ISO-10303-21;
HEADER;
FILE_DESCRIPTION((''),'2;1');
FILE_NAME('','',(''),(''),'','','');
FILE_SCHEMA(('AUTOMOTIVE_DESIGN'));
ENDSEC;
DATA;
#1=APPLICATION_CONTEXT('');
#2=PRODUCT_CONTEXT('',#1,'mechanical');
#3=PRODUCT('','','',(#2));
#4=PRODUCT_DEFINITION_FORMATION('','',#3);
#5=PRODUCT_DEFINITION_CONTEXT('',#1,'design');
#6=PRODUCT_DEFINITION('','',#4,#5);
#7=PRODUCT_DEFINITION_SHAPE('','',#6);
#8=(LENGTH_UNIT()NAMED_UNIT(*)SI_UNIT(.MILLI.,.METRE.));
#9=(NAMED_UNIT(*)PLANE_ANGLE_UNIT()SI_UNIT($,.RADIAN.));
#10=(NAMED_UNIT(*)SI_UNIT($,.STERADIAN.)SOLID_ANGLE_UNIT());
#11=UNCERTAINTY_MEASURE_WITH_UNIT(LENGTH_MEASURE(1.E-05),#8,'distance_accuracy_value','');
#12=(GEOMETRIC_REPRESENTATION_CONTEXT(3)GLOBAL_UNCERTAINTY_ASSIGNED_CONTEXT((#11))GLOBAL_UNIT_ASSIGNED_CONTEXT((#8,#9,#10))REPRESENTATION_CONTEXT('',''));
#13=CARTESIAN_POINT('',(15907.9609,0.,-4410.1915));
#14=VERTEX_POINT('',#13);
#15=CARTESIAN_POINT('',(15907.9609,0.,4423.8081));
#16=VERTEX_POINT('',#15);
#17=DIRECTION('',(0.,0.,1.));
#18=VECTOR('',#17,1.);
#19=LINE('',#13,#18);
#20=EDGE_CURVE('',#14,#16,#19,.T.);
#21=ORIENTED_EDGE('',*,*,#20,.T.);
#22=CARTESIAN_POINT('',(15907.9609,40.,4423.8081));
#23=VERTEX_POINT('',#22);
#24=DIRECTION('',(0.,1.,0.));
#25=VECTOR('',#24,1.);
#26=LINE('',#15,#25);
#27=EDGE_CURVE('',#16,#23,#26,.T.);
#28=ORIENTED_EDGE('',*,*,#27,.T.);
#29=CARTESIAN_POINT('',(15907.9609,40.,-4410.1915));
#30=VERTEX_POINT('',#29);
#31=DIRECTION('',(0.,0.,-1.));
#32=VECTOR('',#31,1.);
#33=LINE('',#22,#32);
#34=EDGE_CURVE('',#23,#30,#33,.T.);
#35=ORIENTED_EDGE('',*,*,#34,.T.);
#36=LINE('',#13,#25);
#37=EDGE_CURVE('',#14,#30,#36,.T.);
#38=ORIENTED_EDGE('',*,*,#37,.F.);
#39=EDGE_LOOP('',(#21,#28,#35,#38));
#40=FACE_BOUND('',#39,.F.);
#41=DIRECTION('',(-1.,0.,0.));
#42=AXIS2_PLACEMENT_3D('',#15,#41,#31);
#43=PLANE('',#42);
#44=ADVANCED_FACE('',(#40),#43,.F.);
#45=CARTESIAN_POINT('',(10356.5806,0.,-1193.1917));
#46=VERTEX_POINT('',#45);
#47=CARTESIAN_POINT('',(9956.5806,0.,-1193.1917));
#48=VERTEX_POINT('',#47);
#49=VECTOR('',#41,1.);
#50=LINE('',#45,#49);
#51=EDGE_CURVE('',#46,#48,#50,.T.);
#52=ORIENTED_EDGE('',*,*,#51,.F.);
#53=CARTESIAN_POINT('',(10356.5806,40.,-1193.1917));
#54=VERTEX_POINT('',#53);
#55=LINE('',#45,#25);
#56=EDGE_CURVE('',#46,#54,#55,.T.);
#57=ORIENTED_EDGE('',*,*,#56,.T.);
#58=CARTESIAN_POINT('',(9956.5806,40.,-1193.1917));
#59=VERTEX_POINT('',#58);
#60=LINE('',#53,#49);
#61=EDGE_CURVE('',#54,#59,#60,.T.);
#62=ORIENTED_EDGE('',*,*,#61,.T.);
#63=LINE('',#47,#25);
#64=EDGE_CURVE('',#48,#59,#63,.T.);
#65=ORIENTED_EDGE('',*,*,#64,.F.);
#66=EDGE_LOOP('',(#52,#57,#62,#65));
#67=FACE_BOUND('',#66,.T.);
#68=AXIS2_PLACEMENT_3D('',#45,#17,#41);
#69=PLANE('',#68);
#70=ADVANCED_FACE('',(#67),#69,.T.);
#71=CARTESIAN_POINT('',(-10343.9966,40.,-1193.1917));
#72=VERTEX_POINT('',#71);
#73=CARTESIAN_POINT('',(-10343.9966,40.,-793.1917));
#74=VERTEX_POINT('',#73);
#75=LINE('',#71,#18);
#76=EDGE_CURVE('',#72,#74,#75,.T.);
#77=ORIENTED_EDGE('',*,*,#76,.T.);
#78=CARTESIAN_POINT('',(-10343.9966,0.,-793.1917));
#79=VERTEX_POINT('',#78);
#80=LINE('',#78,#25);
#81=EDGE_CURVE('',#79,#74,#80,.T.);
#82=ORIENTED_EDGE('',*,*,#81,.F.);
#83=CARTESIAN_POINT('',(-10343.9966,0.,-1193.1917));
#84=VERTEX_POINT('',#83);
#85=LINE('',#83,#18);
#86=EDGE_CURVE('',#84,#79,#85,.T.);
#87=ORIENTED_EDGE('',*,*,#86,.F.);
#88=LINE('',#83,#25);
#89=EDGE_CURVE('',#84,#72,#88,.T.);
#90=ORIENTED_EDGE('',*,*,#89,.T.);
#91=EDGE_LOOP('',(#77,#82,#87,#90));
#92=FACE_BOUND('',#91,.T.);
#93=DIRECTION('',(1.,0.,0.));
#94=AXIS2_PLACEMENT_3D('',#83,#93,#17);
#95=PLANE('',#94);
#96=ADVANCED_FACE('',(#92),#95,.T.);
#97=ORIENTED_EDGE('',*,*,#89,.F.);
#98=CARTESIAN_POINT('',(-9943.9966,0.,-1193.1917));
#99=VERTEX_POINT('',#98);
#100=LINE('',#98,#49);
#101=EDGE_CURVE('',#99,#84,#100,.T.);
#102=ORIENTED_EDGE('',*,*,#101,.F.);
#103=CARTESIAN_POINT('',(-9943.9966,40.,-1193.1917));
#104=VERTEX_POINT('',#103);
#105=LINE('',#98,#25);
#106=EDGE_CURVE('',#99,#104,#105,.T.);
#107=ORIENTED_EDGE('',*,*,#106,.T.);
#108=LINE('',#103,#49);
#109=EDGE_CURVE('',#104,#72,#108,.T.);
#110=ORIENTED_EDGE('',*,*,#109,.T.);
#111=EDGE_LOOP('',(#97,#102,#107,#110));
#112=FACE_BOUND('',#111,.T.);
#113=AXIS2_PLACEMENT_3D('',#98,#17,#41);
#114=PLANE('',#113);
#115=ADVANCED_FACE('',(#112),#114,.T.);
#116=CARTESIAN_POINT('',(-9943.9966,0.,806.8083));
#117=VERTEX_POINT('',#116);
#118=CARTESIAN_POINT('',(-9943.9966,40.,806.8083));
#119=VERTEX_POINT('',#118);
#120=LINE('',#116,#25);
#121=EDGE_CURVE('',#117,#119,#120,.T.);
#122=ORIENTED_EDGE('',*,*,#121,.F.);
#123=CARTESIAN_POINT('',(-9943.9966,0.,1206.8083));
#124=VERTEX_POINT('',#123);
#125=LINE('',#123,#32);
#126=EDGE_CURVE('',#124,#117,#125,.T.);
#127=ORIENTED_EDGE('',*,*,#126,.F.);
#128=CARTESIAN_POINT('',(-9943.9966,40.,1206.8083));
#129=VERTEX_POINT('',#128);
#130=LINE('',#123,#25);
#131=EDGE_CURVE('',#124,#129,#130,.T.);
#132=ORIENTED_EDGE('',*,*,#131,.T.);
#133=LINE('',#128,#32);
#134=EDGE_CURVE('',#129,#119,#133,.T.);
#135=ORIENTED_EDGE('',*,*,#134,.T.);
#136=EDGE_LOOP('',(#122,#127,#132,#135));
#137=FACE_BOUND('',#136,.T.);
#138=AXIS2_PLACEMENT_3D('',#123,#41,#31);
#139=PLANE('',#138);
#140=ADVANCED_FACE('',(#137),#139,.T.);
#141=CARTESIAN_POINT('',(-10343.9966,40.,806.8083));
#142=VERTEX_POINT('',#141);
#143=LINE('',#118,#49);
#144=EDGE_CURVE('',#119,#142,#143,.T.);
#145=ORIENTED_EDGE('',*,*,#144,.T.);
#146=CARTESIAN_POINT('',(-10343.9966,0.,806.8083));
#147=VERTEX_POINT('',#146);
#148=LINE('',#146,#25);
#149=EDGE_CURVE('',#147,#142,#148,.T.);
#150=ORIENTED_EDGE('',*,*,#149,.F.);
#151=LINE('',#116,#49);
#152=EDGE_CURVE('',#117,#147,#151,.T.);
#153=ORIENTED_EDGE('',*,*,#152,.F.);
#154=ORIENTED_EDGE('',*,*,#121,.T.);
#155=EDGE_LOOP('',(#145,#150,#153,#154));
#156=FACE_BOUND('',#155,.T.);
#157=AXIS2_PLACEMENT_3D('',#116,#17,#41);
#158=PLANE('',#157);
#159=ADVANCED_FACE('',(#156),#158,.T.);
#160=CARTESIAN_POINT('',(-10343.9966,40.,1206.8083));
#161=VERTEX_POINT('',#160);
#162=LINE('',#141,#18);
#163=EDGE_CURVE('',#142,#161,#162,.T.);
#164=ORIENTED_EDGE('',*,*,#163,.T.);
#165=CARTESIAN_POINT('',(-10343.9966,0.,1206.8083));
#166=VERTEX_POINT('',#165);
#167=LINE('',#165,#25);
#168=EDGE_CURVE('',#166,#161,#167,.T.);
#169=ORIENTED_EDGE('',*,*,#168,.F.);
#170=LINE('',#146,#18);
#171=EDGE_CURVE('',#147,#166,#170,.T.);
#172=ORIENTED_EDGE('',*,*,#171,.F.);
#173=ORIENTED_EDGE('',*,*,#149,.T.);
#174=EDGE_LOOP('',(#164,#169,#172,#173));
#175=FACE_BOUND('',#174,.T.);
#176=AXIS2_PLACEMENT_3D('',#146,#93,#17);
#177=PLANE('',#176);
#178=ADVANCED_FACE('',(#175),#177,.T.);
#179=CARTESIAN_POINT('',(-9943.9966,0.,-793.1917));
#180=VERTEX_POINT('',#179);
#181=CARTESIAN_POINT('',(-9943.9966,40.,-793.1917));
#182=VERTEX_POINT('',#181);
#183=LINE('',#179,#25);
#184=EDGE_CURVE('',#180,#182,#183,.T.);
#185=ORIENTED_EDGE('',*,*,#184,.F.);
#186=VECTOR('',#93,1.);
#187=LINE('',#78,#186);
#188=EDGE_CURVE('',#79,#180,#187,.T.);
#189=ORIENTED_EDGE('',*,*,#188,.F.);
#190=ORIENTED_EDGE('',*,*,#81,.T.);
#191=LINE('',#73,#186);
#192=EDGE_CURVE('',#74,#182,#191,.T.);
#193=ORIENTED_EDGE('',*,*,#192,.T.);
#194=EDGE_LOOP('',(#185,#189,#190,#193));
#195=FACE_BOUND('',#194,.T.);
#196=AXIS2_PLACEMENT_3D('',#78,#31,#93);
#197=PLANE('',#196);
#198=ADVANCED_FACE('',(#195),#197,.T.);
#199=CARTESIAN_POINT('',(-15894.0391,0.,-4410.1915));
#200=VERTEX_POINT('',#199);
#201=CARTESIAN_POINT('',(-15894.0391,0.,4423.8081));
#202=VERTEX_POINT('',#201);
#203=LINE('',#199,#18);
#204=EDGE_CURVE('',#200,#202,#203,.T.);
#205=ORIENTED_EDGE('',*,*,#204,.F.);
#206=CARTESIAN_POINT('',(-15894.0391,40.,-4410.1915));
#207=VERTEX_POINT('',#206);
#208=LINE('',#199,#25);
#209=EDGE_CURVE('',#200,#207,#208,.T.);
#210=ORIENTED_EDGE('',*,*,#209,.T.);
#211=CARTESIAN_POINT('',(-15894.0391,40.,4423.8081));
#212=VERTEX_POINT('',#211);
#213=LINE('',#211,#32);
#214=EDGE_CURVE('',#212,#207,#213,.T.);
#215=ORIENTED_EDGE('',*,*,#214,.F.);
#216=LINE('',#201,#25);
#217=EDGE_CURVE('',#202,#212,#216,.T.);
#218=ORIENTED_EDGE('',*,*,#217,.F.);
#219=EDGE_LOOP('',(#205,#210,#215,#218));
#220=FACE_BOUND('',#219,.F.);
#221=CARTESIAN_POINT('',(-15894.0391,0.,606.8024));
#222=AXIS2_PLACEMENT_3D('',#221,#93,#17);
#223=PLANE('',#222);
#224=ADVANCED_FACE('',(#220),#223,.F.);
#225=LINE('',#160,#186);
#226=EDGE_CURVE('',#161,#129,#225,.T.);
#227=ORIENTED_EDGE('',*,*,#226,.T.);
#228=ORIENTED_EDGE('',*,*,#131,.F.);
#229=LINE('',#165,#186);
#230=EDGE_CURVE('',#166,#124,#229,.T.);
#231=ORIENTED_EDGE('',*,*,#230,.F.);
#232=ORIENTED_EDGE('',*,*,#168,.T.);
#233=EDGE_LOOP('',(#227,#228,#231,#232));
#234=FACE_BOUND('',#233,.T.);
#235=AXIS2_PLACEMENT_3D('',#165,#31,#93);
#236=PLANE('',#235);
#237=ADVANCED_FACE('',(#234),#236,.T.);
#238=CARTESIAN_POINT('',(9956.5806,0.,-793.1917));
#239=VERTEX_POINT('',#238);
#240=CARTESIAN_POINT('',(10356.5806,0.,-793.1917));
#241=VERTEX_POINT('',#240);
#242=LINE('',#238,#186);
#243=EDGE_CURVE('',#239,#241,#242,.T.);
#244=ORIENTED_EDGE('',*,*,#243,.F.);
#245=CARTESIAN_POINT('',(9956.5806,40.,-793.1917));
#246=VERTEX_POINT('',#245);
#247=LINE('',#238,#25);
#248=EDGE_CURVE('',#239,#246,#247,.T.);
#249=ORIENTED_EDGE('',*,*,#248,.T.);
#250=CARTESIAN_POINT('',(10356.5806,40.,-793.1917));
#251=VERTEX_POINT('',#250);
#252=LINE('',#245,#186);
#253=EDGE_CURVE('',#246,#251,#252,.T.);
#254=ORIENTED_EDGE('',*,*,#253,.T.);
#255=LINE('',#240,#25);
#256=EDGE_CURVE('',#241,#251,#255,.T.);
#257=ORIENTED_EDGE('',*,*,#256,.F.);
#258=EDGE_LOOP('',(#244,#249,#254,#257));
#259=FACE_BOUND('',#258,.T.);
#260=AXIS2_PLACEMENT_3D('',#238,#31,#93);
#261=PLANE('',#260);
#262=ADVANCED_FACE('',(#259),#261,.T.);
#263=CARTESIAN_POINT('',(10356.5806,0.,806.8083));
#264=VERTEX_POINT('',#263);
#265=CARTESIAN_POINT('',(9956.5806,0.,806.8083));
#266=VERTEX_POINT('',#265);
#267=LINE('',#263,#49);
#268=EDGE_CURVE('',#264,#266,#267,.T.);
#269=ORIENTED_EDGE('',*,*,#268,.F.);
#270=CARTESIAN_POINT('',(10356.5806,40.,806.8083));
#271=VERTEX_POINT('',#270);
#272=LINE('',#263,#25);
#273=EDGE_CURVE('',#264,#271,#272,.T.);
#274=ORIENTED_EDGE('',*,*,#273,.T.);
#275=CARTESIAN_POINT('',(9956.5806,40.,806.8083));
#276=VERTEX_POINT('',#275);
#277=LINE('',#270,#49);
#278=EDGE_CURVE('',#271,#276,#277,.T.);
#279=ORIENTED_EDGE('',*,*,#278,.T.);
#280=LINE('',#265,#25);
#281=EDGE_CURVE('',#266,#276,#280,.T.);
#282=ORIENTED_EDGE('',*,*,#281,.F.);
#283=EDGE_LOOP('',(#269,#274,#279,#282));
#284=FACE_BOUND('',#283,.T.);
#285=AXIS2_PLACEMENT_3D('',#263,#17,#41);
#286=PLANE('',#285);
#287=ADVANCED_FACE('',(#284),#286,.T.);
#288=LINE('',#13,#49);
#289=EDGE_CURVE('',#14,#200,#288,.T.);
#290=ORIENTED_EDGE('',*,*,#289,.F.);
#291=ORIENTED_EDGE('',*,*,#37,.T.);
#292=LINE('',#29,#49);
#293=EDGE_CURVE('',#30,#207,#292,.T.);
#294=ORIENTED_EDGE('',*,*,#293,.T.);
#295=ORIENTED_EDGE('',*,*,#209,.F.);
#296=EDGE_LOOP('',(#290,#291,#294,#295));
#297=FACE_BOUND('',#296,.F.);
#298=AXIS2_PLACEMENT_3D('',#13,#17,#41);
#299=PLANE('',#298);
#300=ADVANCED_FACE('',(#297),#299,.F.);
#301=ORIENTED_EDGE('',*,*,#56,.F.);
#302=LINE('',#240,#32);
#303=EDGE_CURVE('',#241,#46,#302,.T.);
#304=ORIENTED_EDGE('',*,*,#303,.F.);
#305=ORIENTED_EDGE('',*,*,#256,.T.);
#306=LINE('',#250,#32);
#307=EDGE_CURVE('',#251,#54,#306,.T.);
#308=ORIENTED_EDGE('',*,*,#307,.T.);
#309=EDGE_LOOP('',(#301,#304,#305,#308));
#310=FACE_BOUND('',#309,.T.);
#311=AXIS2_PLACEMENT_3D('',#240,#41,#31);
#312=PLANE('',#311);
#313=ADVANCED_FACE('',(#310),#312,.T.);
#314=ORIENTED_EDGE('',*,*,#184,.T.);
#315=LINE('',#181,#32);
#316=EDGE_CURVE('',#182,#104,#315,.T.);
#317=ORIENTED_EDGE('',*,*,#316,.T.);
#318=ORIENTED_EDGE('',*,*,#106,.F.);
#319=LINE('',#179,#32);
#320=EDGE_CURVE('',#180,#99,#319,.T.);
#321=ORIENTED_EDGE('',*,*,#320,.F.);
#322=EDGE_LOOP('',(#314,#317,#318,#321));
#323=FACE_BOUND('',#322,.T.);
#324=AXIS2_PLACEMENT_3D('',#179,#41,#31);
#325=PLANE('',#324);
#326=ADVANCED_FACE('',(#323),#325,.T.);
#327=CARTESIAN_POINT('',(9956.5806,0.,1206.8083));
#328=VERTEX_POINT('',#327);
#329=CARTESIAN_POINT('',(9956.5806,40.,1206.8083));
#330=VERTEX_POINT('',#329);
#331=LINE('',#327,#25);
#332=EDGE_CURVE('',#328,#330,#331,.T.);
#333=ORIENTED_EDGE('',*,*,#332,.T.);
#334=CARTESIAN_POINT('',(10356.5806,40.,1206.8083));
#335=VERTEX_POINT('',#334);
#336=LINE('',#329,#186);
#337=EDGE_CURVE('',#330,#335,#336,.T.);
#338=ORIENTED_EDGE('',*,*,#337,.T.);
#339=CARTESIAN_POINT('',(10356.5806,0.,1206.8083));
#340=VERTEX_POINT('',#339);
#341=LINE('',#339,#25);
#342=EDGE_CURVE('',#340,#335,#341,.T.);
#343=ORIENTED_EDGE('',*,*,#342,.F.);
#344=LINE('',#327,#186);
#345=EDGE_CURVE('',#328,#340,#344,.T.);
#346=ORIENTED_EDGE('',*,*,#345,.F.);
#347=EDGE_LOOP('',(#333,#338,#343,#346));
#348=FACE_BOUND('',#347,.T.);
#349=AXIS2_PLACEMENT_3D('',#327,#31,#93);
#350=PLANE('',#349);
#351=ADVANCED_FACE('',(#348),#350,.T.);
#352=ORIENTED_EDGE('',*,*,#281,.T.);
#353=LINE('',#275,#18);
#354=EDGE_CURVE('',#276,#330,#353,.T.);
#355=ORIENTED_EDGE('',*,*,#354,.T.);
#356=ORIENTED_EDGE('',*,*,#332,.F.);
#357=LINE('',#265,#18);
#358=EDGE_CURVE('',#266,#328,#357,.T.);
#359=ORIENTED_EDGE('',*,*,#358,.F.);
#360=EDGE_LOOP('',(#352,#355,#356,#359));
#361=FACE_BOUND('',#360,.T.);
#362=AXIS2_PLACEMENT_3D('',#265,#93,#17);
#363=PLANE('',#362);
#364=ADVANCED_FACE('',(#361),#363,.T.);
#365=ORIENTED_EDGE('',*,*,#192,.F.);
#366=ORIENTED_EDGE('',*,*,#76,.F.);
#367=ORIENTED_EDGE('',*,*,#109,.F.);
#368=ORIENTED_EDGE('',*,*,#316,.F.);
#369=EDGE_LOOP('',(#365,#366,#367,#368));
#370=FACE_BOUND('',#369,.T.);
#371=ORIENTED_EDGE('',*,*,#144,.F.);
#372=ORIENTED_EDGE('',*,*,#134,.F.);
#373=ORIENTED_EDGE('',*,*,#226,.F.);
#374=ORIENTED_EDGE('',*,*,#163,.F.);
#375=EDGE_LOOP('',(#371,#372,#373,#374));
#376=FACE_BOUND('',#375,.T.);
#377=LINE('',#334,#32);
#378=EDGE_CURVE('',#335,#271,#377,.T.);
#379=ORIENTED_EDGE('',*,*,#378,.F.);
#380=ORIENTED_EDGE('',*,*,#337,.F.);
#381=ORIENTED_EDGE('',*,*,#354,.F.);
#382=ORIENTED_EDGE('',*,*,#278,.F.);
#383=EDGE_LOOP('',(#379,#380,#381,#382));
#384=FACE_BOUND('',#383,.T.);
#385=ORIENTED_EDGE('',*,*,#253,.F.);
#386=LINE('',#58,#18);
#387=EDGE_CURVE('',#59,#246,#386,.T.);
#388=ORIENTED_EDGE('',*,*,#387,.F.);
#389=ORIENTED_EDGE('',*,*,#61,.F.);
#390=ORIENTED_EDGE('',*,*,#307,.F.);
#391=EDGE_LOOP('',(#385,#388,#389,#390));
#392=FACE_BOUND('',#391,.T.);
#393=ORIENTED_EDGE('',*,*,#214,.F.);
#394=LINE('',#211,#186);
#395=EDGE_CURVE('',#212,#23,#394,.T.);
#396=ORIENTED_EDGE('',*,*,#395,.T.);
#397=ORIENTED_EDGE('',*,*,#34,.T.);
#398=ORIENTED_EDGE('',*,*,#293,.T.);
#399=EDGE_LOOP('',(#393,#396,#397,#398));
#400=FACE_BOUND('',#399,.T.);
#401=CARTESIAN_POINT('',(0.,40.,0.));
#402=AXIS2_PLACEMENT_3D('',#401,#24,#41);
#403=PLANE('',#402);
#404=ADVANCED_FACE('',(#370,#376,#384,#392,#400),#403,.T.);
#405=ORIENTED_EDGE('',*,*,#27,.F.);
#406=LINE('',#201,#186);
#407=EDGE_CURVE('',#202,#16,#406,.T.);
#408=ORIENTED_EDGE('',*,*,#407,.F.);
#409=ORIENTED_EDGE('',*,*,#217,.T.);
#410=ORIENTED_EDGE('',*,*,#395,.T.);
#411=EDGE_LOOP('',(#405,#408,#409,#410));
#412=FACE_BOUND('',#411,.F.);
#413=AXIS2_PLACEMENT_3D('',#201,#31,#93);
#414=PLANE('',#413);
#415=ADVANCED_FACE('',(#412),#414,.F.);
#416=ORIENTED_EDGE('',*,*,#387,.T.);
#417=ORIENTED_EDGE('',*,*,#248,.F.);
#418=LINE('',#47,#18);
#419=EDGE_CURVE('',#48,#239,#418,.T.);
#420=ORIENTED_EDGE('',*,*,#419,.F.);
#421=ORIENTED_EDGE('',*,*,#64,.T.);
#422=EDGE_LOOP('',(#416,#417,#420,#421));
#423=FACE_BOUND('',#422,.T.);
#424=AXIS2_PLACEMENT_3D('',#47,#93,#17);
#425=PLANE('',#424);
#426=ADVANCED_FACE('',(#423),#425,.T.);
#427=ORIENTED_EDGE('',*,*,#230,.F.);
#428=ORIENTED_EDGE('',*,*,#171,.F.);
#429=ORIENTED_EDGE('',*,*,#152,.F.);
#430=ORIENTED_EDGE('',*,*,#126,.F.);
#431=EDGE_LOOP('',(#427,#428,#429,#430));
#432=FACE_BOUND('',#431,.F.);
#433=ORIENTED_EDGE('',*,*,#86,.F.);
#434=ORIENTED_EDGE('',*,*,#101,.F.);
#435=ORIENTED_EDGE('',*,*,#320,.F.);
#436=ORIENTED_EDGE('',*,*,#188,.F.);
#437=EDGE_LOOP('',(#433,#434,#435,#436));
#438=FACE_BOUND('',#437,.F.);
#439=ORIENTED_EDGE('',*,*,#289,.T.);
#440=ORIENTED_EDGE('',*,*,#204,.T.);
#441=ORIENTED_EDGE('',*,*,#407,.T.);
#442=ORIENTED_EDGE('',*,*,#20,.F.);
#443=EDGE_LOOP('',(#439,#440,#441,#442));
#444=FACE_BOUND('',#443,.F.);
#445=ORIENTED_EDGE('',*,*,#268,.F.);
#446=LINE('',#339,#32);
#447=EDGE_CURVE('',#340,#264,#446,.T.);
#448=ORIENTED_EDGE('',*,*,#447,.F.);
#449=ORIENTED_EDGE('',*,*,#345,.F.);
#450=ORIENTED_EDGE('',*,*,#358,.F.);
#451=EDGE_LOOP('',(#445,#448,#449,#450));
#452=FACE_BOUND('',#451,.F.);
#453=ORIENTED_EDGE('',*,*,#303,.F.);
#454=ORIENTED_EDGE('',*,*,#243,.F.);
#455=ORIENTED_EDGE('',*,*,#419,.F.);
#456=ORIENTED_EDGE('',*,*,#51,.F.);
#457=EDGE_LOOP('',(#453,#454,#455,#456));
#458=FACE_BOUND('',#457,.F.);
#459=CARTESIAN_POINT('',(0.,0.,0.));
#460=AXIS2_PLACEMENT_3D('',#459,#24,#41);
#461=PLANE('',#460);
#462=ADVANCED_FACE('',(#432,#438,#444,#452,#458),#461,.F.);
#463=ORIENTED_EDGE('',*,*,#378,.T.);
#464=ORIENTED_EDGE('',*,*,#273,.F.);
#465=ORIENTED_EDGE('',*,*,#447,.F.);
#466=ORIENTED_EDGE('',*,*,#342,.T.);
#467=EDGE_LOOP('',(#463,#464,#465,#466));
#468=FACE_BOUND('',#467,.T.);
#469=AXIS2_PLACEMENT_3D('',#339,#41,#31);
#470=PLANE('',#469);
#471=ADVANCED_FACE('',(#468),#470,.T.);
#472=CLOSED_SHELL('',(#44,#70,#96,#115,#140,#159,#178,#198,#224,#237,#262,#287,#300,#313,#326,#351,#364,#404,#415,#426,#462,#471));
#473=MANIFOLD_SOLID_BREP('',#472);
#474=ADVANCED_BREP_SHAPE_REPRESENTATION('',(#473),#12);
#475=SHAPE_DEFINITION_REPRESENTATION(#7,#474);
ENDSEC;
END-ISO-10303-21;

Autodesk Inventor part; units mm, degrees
ref_plane "YZ Plane" through (0, 0, 0) normal (1, 0, 0) x (0, 1, 0)
ref_plane "XZ Plane" through (0, 0, 0) normal (0, 1, 0) x (-1, 0, 0)
ref_plane "XY Plane" through (0, 0, 0) normal (0, 0, 1) x (1, 0, 0)
sketch "Sketch1" plane through (0, 0, 0) normal (0, 1, 0) x (-1, 0, 0)
  line L0 (15894.0391, 4423.8081) -> (-15907.9609, 4423.8081)
  line L1 (-15907.9609, -4410.1915) -> (15894.0391, -4410.1915)
  line L2 (10343.9966, -793.1917) -> (9943.9966, -793.1917)
  line L3 (9943.9966, -793.1917) -> (9943.9966, -1193.1917)
  line L4 (9943.9966, -1193.1917) -> (10343.9966, -1193.1917)
  line L5 (10343.9966, -1193.1917) -> (10343.9966, -793.1917)
  line L6 (10343.9966, 1206.8083) -> (9943.9966, 1206.8083)
  line L7 (9943.9966, 1206.8083) -> (9943.9966, 806.8083)
  line L8 (9943.9966, 806.8083) -> (10343.9966, 806.8083)
  line L9 (10343.9966, 806.8083) -> (10343.9966, 1206.8083)
  line L10 (-9956.5806, -793.1917) -> (-10356.5806, -793.1917)
  line L11 (-10356.5806, -793.1917) -> (-10356.5806, -1193.1917)
  line L12 (-10356.5806, -1193.1917) -> (-9956.5806, -1193.1917)
  line L13 (-9956.5806, -1193.1917) -> (-9956.5806, -793.1917)
  line L14 (-9956.5806, 1206.8083) -> (-10356.5806, 1206.8083)
  line L15 (-10356.5806, 1206.8083) -> (-10356.5806, 806.8083)
  line L16 (-10356.5806, 806.8083) -> (-9956.5806, 806.8083)
  line L17 (-9956.5806, 806.8083) -> (-9956.5806, 1206.8083)
  line L18 (-15907.9609, 606.8024) -> (-14407.9609, 606.8024)
  line L19 (-14407.9609, 606.8024) -> (-14407.9609, -588.4462)
  line L20 (-14407.9609, -588.4462) -> (-15907.9609, -588.4462)
  line L21 (15894.0391, 606.8024) -> (14394.0391, 606.8024)
  line L22 (14394.0391, 606.8024) -> (14394.0391, -588.4462)
  line L23 (14394.0391, -588.4462) -> (15894.0391, -588.4462)
  line L24 (15894.0391, -4410.1915) -> (15894.0391, -588.4462)
  line L25 (15894.0391, 606.8024) -> (15894.0391, 4423.8081)
  line L26 (-15907.9609, 4423.8081) -> (-15907.9609, 606.8024)
  line L27 (-15907.9609, -588.4462) -> (-15907.9609, -4410.1915)
  point P0 (0, 0)
  point P1 (-15907.9609, -588.4462)
  point P2 (15894.0391, -588.4462)
  dimension "d0" = 1500
  dimension "d1" = 1500
extrude "Extrusion1" add sketch "Sketch1" along normal blind 40
sketch "Sketch2" plane through (0, 40, 0) normal (0, 1, 0) x (1, 0, 0)
  line L0 (-15894.0391, 588.4462) -> (-14394.0391, 588.4462) projected
  line L1 (-15894.0391, -606.8024) -> (-15894.0391, -4423.8081) projected
  line L2 (-15894.0391, 588.4462) -> (-15894.0391, -606.8024)
  line L3 (-15894.0391, -606.8024) -> (-14381.5011, -606.8024)
  line L4 (-14381.5011, -606.8024) -> (-14381.5011, 588.4462)
  line L5 (-14381.5011, 588.4462) -> (-15894.0391, 588.4462)
  line L6 (15907.9609, -4423.8081) -> (15907.9609, -606.8024) projected
  line L7 (14407.9609, 588.4462) -> (15907.9609, 588.4462)
  line L8 (15907.9609, 588.4462) -> (15907.9609, -606.8024)
  line L9 (15907.9609, -606.8024) -> (14407.9609, -606.8024)
  line L10 (14407.9609, -606.8024) -> (14407.9609, 588.4462)
  point P0 (0, 0)
extrude "Extrusion2" add sketch "Sketch2" against normal blind 40
properties part number "inside_floor" material "Wood (Maple)"
